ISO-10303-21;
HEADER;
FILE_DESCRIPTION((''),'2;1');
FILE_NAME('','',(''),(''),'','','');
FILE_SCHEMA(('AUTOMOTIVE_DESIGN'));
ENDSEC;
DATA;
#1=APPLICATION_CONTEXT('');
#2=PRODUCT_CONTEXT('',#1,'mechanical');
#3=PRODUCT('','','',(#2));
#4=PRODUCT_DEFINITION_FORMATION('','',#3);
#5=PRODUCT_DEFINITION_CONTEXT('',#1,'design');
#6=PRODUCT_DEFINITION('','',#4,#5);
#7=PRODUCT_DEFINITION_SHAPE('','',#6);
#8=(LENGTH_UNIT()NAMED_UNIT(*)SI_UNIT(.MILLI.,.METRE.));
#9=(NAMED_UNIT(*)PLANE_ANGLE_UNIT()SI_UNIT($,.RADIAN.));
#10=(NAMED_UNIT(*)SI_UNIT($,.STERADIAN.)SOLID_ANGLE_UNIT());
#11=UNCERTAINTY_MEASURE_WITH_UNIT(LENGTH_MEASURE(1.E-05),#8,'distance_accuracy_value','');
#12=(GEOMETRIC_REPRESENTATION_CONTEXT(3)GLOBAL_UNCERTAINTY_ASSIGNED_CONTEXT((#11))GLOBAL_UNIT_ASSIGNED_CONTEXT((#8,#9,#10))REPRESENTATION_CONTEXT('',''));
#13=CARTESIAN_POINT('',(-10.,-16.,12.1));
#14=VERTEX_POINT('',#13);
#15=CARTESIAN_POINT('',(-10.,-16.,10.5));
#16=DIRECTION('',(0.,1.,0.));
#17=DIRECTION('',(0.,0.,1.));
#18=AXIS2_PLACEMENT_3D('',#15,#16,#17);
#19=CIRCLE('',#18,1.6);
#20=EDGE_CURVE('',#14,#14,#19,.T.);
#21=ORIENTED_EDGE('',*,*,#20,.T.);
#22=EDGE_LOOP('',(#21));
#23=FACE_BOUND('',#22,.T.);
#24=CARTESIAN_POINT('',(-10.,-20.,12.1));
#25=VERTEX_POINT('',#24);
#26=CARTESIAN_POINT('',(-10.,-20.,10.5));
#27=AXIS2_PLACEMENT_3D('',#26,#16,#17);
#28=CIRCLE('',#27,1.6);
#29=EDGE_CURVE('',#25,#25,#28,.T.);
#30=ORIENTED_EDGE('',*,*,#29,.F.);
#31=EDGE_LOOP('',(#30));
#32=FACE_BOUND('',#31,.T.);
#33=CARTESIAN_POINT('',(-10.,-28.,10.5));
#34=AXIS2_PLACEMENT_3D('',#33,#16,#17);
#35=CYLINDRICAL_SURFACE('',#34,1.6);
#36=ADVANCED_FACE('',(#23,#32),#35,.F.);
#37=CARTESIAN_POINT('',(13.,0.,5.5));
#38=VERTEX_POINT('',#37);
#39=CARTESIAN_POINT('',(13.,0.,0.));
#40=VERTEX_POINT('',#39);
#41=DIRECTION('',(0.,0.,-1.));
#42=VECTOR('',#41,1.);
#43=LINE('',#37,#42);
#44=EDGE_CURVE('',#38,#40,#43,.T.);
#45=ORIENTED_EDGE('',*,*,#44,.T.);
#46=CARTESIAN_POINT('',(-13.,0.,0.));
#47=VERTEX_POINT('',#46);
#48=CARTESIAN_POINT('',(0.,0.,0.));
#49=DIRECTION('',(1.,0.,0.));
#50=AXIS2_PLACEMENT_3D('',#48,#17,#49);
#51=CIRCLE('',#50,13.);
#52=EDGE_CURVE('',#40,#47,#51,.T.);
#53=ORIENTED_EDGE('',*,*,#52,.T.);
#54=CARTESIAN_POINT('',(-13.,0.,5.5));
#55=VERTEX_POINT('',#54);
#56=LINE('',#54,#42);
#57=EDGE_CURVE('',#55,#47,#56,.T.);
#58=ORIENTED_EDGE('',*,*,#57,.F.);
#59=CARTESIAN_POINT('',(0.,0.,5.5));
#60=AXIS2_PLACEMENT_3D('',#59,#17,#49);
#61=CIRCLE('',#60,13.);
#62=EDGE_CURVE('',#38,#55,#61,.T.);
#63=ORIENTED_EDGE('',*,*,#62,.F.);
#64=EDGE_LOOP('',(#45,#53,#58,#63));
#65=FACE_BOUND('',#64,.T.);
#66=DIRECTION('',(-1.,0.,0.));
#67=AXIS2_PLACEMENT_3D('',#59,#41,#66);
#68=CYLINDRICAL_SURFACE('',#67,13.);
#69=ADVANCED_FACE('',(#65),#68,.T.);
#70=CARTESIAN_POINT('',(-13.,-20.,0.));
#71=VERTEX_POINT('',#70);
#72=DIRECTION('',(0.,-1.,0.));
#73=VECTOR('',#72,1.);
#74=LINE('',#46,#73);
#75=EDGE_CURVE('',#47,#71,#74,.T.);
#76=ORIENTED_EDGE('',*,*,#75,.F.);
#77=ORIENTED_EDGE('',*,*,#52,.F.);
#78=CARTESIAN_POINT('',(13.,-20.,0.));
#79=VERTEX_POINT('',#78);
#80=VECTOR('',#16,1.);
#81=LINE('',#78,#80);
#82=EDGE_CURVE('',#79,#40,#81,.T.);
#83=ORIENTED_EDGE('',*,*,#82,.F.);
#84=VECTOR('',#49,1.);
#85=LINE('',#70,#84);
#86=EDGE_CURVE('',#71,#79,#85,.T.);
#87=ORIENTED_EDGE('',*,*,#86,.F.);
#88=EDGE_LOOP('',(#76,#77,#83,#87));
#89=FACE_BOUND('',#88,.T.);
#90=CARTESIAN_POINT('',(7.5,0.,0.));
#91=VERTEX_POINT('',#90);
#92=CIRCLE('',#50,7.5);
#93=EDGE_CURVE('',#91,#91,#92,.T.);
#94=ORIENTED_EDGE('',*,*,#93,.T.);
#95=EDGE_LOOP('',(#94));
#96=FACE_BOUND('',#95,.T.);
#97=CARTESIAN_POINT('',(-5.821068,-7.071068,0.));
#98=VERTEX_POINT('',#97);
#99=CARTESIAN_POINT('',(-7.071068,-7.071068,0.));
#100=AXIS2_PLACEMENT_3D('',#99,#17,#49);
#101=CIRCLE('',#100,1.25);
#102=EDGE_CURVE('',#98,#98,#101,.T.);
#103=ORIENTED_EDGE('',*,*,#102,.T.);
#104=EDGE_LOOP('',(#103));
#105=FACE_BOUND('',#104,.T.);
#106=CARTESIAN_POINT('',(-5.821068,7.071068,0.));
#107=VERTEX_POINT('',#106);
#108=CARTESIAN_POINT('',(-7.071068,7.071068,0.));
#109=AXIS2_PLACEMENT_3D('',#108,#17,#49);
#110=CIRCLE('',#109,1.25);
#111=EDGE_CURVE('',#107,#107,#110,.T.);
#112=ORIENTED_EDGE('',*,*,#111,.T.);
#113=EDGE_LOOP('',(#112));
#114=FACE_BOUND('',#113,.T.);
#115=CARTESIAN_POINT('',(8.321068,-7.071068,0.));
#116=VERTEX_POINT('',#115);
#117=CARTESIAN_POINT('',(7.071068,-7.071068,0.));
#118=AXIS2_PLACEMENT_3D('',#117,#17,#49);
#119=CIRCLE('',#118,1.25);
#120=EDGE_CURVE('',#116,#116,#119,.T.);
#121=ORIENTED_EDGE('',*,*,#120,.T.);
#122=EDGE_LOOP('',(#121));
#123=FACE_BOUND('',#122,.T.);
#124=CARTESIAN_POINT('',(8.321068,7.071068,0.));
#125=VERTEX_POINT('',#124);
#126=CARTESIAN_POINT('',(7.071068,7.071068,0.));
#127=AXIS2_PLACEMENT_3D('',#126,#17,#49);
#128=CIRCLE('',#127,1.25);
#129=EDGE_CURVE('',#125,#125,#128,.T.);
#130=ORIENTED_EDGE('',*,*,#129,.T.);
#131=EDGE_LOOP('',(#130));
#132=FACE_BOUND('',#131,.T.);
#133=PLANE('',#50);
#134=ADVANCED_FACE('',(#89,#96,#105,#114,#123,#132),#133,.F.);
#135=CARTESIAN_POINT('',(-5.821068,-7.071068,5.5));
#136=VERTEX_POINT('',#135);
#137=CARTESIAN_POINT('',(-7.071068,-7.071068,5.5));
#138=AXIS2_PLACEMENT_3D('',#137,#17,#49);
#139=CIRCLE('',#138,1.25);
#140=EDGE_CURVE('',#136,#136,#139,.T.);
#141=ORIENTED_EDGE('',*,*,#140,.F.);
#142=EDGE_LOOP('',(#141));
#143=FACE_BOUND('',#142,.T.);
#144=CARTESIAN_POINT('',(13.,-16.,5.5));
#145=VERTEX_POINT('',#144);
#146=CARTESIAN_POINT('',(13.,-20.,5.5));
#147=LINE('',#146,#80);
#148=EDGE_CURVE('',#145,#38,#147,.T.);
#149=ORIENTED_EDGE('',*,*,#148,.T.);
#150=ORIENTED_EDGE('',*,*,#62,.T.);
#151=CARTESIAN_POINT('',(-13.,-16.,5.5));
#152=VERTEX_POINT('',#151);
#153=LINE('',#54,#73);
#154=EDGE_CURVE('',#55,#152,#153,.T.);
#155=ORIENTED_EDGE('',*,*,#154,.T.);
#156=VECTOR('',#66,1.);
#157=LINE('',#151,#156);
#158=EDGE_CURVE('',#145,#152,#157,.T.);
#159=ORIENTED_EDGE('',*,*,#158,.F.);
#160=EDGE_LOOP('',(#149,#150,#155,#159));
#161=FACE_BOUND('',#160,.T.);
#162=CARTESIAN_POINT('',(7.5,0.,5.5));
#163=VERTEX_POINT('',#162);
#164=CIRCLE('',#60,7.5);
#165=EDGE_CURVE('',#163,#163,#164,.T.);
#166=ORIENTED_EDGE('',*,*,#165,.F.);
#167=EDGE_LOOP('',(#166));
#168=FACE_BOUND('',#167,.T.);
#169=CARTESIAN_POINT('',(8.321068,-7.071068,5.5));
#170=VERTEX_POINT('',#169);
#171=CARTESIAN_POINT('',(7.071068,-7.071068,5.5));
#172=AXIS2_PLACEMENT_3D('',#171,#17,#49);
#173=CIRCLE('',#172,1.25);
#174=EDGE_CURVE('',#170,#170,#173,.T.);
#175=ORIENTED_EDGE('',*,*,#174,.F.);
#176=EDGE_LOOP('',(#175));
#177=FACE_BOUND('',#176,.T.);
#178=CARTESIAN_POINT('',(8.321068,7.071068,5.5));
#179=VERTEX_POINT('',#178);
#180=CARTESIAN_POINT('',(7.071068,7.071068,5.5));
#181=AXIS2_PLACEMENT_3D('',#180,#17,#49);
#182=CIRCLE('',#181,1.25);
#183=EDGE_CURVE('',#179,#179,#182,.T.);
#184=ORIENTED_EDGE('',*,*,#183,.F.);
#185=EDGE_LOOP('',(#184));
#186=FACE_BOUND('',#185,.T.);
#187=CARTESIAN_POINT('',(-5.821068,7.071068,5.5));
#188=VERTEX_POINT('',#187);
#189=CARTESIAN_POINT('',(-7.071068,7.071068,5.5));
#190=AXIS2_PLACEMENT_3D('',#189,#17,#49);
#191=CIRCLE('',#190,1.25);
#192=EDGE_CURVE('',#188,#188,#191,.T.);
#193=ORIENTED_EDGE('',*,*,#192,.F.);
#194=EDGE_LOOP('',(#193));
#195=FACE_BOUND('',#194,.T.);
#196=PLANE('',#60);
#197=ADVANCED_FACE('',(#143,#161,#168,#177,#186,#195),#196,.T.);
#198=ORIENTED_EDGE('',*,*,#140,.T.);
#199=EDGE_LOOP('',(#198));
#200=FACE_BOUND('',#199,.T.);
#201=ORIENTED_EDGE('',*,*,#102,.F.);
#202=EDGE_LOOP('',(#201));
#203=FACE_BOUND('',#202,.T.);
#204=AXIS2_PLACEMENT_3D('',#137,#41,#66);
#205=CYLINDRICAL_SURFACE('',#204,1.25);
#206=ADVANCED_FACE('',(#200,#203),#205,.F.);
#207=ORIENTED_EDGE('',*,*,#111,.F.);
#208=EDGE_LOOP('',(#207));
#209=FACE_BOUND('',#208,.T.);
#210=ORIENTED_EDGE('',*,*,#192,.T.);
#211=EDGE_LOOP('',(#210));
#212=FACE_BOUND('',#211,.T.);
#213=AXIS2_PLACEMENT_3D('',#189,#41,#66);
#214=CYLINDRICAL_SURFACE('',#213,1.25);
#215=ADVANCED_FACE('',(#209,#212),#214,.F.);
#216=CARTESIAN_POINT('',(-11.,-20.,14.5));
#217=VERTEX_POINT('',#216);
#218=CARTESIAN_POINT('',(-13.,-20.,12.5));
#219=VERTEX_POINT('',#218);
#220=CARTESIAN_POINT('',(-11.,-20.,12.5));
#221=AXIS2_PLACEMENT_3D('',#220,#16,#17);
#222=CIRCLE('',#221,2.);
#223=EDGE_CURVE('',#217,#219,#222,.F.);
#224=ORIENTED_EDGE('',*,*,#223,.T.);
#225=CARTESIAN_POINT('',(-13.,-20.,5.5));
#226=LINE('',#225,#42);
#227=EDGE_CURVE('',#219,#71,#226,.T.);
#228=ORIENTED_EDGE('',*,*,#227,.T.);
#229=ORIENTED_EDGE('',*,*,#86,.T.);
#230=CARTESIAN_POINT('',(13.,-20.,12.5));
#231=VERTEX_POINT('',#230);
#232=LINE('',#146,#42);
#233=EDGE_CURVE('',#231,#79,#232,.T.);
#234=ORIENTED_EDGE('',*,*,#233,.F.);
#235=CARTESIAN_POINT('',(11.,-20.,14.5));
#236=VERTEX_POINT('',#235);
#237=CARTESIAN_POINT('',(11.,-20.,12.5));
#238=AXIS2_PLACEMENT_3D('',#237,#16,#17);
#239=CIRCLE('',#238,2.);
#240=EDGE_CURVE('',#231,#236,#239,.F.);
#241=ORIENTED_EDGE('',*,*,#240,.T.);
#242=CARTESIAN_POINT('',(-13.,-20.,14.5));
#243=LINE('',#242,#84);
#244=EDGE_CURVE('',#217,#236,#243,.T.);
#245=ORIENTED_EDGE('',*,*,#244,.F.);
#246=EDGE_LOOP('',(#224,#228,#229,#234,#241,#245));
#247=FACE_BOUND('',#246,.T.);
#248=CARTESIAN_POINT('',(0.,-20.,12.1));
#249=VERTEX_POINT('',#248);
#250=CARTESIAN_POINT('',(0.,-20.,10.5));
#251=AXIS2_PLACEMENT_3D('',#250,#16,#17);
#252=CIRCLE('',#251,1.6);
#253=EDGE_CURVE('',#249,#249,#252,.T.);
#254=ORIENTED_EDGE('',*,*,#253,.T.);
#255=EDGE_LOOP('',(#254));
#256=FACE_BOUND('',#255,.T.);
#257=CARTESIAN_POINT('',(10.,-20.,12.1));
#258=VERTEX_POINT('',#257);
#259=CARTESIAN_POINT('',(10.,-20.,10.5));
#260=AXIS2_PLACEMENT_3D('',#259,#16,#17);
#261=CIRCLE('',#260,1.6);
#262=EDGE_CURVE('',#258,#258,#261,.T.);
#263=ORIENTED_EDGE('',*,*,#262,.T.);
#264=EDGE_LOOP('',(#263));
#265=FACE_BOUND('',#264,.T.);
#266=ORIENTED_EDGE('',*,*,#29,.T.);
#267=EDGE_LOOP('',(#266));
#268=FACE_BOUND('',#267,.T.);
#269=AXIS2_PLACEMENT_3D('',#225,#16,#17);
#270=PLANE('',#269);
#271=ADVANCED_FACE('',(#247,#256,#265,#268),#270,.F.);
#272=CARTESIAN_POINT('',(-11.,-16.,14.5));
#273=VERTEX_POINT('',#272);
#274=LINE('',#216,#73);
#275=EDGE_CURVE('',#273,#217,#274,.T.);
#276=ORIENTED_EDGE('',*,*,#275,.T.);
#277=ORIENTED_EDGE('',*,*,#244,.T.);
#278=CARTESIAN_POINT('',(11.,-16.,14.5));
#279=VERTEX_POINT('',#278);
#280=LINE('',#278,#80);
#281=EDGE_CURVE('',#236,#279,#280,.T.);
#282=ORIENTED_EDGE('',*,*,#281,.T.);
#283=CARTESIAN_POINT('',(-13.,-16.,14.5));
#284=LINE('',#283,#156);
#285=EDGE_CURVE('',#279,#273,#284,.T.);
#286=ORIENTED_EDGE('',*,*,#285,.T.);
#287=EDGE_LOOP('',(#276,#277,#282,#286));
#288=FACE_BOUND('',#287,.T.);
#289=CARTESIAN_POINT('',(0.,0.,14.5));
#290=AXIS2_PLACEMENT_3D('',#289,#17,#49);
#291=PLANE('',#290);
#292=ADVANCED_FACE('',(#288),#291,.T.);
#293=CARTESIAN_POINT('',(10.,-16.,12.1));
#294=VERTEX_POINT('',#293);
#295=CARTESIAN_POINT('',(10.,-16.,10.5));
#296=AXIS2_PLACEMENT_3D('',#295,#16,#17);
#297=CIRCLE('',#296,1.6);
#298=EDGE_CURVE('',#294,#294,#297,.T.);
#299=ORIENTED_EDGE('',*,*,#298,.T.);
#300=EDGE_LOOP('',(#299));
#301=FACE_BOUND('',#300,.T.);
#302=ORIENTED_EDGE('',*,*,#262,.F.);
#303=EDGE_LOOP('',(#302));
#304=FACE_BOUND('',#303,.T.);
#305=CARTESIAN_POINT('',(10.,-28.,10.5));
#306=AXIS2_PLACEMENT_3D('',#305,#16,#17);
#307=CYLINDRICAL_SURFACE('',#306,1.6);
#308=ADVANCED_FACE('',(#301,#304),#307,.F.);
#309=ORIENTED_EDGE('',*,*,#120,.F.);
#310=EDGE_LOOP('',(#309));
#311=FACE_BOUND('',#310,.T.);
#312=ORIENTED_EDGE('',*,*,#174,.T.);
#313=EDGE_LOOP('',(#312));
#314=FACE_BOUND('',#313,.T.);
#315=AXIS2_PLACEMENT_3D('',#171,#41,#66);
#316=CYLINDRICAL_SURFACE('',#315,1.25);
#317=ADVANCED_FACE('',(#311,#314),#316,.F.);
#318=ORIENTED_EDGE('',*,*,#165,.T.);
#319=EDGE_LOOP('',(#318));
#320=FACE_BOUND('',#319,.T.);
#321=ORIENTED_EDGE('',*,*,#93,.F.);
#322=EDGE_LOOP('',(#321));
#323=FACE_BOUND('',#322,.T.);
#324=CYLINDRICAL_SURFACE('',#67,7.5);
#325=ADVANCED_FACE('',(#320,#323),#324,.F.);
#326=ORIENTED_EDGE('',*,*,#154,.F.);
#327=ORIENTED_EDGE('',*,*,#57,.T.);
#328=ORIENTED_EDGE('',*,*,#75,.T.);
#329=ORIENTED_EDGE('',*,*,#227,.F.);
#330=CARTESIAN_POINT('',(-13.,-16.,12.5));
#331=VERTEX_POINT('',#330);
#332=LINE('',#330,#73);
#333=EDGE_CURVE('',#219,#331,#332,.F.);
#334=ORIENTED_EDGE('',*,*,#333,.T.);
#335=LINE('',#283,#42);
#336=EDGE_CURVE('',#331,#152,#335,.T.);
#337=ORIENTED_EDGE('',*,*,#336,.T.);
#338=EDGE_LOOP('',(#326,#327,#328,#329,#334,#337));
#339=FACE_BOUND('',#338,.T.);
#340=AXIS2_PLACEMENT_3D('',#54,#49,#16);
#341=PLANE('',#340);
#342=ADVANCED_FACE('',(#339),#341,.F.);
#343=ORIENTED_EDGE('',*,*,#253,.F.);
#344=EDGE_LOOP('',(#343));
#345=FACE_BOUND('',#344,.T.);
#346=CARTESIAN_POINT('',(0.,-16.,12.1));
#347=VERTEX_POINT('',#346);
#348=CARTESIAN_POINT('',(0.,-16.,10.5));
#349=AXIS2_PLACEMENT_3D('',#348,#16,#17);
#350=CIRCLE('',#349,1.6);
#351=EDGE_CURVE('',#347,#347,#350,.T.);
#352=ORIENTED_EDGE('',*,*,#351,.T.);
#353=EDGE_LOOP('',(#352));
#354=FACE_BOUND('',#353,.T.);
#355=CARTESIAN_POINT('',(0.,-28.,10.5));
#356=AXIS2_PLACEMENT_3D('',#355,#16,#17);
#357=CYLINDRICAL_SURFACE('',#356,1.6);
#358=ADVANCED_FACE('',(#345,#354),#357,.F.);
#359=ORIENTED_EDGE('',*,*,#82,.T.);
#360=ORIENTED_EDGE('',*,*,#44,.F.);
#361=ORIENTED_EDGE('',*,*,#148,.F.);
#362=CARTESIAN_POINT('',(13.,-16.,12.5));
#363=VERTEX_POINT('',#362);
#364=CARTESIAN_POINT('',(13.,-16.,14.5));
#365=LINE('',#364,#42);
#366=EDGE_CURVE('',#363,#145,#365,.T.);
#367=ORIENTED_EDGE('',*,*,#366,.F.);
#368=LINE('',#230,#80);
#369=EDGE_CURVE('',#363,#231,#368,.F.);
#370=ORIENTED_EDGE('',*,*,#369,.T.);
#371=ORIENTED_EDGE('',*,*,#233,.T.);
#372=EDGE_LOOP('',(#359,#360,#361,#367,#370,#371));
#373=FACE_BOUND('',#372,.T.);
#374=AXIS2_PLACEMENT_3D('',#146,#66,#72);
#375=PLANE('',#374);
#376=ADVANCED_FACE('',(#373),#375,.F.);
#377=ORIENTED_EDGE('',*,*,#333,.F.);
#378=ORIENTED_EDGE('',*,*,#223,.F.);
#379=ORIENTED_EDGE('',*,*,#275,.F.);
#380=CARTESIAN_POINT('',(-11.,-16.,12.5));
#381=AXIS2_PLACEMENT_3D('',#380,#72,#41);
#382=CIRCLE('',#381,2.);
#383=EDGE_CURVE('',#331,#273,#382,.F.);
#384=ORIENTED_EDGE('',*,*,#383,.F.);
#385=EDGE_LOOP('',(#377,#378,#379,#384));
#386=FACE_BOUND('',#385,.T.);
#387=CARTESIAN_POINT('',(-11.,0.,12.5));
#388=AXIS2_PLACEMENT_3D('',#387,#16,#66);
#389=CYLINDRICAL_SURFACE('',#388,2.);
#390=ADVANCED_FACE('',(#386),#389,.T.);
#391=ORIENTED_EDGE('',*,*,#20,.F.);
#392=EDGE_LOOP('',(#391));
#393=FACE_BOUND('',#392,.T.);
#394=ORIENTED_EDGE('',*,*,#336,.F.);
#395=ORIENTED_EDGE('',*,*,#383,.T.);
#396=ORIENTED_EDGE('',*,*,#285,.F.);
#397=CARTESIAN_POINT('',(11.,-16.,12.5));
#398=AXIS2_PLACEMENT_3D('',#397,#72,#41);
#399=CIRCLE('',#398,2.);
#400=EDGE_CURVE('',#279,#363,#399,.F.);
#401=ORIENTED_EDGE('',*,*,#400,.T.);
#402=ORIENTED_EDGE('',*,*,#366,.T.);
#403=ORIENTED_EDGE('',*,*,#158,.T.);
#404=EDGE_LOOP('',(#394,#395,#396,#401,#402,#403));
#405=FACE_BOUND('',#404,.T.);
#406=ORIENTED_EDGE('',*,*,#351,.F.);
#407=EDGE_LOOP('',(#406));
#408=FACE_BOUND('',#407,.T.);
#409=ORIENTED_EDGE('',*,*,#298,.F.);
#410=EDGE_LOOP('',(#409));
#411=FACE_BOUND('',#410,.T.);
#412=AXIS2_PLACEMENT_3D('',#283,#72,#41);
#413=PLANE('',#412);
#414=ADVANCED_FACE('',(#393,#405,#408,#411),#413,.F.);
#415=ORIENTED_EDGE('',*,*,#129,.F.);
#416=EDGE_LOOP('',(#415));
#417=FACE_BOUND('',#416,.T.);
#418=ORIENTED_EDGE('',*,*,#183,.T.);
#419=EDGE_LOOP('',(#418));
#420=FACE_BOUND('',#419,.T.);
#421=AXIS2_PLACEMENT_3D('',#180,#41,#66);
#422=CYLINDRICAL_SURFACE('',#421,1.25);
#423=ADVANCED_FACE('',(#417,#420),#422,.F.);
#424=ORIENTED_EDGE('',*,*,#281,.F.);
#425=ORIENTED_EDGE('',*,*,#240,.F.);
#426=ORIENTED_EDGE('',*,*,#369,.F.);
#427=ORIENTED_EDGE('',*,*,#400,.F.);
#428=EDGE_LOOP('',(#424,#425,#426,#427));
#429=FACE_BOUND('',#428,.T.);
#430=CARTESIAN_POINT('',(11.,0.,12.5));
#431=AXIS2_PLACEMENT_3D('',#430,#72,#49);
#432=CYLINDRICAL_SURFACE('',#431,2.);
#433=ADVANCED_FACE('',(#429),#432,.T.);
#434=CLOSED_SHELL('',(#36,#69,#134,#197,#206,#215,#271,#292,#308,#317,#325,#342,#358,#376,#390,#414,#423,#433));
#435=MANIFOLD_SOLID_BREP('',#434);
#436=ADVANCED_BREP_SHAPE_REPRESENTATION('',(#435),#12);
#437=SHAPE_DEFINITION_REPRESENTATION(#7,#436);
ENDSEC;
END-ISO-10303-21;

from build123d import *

# Parameters (mm, degrees)
SKETCH_1_R          = 7.5
SKETCH_1_R_2        = 1.25
EXTRUDE_1_DEPTH     = 5.5
SKETCH_2_W          = 26
SKETCH_2_H          = 4
EXTRUDE_2_DEPTH     = 9
SKETCH_3_R          = 1.6
CUT_EXTRUDE_1_DEPTH = 12
FILLET_1_R          = 2


with BuildPart() as part:
    # 草图1 → 凸台-拉伸1 (new body)
    with BuildSketch(Plane.XY):
        with BuildLine():
            Line((-13, 0), (-13, -20))
            Line((-13, -20), (13, -20))
            Line((13, -20), (13, 0))
            ThreePointArc((13, 0), (0, 13), (-13, 0))
        make_face()
        Circle(SKETCH_1_R, mode=Mode.SUBTRACT)
        with Locations((-7.071067812, 7.071067812)):
            Circle(SKETCH_1_R_2, mode=Mode.SUBTRACT)
        with Locations((7.071067812, 7.071067812)):
            Circle(SKETCH_1_R_2, mode=Mode.SUBTRACT)
        with Locations((7.071067812, -7.071067812)):
            Circle(SKETCH_1_R_2, mode=Mode.SUBTRACT)
        with Locations((-7.071067812, -7.071067812)):
            Circle(SKETCH_1_R_2, mode=Mode.SUBTRACT)
    extrude(amount=EXTRUDE_1_DEPTH)

    # 草图2 → 凸台-拉伸2 (add)
    with BuildSketch(Plane.XY.offset(5.5)):
        with Locations((0, -18)):
            Rectangle(SKETCH_2_W, SKETCH_2_H)
    extrude(amount=EXTRUDE_2_DEPTH)

    # 草图3 → 切除-拉伸1 (cut)
    with BuildSketch(Plane(origin=(0, -16, 0), x_dir=(1, 0, 0), z_dir=(0, 1, 0))):
        with Locations(Location((-10, -10.5, 0), (0, 0, 270))):
            Circle(SKETCH_3_R)
        with Locations(Location((0, -10.5, 0), (0, 0, 270))):
            Circle(SKETCH_3_R)
        with Locations(Location((10, -10.5, 0), (0, 0, 270))):
            Circle(SKETCH_3_R)
    extrude(amount=-CUT_EXTRUDE_1_DEPTH, mode=Mode.SUBTRACT)

    # 圆角1
    fillet_1_edges = [part.edges().sort_by_distance(p)[0] for p in [
        (-13, -18, 14.5),
        (13, -18, 14.5),
    ]]
    fillet(fillet_1_edges, radius=FILLET_1_R)


solid = part.part
